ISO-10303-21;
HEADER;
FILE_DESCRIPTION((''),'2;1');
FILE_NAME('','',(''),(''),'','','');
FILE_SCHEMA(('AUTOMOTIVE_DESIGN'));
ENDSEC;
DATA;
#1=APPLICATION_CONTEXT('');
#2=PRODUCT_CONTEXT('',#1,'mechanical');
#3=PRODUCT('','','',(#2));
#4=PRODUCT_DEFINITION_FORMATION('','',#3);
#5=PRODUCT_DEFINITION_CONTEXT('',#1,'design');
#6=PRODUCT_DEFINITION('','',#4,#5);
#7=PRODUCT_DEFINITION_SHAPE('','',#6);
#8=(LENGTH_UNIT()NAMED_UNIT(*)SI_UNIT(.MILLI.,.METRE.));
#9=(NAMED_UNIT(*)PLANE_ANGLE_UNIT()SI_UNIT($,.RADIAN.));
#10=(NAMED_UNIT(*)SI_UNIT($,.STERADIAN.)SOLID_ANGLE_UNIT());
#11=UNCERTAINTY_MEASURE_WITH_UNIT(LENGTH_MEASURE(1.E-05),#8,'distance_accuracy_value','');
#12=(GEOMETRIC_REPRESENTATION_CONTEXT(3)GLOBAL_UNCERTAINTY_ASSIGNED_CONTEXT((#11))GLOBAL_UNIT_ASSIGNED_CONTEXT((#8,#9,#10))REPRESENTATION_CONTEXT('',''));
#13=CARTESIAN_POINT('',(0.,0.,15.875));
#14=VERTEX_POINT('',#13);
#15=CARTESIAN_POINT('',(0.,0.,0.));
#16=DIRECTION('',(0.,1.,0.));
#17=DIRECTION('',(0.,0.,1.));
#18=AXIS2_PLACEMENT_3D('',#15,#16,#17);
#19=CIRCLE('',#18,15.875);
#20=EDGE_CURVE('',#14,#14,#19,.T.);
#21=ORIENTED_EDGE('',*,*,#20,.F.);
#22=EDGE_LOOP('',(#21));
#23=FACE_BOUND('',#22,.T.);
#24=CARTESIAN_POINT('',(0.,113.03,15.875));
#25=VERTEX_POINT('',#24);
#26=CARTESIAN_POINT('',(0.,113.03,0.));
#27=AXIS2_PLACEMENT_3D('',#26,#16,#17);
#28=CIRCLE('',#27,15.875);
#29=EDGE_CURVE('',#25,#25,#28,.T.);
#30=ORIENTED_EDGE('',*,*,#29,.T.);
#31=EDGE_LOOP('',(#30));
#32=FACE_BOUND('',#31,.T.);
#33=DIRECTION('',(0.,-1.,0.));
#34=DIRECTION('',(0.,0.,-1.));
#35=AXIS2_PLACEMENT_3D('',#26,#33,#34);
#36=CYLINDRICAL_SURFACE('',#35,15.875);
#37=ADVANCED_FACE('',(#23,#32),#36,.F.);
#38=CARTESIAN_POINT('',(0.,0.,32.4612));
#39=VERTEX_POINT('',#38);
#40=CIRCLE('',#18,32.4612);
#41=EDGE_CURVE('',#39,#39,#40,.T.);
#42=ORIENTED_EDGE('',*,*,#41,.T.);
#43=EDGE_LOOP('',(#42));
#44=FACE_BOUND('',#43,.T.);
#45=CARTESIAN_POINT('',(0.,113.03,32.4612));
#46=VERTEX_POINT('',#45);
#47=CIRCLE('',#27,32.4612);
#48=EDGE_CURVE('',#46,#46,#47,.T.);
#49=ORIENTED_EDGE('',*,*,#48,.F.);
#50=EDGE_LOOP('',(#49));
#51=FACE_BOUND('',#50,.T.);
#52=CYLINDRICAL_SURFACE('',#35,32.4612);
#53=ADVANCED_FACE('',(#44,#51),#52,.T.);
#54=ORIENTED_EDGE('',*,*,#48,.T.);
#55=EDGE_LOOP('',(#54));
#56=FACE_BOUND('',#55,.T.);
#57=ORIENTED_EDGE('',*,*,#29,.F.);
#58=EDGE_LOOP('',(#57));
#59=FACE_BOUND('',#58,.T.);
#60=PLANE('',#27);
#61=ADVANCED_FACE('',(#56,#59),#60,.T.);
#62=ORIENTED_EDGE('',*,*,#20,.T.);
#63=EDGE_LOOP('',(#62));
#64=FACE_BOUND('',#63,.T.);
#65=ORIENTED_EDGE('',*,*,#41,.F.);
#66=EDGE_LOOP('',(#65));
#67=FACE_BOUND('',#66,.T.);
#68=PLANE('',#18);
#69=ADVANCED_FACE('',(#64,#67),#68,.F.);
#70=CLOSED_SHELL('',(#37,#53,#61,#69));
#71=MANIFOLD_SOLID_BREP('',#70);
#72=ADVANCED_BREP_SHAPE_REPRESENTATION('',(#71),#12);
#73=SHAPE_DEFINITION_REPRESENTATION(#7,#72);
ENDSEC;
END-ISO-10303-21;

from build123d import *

# Parameters (mm, degrees)
SKETCH1_R           = 32.4612
SKETCH1_R_2         = 15.875
BOSS_EXTRUDE1_DEPTH = 113.03


with BuildPart() as part:
    # Sketch1 → Boss-Extrude1 (new body)
    with BuildSketch(Plane(origin=(0, 0, 0), x_dir=(1, 0, 0), z_dir=(0, 1, 0))):
        Circle(SKETCH1_R)
        Circle(SKETCH1_R_2, mode=Mode.SUBTRACT)
    extrude(amount=BOSS_EXTRUDE1_DEPTH)


solid = part.part
